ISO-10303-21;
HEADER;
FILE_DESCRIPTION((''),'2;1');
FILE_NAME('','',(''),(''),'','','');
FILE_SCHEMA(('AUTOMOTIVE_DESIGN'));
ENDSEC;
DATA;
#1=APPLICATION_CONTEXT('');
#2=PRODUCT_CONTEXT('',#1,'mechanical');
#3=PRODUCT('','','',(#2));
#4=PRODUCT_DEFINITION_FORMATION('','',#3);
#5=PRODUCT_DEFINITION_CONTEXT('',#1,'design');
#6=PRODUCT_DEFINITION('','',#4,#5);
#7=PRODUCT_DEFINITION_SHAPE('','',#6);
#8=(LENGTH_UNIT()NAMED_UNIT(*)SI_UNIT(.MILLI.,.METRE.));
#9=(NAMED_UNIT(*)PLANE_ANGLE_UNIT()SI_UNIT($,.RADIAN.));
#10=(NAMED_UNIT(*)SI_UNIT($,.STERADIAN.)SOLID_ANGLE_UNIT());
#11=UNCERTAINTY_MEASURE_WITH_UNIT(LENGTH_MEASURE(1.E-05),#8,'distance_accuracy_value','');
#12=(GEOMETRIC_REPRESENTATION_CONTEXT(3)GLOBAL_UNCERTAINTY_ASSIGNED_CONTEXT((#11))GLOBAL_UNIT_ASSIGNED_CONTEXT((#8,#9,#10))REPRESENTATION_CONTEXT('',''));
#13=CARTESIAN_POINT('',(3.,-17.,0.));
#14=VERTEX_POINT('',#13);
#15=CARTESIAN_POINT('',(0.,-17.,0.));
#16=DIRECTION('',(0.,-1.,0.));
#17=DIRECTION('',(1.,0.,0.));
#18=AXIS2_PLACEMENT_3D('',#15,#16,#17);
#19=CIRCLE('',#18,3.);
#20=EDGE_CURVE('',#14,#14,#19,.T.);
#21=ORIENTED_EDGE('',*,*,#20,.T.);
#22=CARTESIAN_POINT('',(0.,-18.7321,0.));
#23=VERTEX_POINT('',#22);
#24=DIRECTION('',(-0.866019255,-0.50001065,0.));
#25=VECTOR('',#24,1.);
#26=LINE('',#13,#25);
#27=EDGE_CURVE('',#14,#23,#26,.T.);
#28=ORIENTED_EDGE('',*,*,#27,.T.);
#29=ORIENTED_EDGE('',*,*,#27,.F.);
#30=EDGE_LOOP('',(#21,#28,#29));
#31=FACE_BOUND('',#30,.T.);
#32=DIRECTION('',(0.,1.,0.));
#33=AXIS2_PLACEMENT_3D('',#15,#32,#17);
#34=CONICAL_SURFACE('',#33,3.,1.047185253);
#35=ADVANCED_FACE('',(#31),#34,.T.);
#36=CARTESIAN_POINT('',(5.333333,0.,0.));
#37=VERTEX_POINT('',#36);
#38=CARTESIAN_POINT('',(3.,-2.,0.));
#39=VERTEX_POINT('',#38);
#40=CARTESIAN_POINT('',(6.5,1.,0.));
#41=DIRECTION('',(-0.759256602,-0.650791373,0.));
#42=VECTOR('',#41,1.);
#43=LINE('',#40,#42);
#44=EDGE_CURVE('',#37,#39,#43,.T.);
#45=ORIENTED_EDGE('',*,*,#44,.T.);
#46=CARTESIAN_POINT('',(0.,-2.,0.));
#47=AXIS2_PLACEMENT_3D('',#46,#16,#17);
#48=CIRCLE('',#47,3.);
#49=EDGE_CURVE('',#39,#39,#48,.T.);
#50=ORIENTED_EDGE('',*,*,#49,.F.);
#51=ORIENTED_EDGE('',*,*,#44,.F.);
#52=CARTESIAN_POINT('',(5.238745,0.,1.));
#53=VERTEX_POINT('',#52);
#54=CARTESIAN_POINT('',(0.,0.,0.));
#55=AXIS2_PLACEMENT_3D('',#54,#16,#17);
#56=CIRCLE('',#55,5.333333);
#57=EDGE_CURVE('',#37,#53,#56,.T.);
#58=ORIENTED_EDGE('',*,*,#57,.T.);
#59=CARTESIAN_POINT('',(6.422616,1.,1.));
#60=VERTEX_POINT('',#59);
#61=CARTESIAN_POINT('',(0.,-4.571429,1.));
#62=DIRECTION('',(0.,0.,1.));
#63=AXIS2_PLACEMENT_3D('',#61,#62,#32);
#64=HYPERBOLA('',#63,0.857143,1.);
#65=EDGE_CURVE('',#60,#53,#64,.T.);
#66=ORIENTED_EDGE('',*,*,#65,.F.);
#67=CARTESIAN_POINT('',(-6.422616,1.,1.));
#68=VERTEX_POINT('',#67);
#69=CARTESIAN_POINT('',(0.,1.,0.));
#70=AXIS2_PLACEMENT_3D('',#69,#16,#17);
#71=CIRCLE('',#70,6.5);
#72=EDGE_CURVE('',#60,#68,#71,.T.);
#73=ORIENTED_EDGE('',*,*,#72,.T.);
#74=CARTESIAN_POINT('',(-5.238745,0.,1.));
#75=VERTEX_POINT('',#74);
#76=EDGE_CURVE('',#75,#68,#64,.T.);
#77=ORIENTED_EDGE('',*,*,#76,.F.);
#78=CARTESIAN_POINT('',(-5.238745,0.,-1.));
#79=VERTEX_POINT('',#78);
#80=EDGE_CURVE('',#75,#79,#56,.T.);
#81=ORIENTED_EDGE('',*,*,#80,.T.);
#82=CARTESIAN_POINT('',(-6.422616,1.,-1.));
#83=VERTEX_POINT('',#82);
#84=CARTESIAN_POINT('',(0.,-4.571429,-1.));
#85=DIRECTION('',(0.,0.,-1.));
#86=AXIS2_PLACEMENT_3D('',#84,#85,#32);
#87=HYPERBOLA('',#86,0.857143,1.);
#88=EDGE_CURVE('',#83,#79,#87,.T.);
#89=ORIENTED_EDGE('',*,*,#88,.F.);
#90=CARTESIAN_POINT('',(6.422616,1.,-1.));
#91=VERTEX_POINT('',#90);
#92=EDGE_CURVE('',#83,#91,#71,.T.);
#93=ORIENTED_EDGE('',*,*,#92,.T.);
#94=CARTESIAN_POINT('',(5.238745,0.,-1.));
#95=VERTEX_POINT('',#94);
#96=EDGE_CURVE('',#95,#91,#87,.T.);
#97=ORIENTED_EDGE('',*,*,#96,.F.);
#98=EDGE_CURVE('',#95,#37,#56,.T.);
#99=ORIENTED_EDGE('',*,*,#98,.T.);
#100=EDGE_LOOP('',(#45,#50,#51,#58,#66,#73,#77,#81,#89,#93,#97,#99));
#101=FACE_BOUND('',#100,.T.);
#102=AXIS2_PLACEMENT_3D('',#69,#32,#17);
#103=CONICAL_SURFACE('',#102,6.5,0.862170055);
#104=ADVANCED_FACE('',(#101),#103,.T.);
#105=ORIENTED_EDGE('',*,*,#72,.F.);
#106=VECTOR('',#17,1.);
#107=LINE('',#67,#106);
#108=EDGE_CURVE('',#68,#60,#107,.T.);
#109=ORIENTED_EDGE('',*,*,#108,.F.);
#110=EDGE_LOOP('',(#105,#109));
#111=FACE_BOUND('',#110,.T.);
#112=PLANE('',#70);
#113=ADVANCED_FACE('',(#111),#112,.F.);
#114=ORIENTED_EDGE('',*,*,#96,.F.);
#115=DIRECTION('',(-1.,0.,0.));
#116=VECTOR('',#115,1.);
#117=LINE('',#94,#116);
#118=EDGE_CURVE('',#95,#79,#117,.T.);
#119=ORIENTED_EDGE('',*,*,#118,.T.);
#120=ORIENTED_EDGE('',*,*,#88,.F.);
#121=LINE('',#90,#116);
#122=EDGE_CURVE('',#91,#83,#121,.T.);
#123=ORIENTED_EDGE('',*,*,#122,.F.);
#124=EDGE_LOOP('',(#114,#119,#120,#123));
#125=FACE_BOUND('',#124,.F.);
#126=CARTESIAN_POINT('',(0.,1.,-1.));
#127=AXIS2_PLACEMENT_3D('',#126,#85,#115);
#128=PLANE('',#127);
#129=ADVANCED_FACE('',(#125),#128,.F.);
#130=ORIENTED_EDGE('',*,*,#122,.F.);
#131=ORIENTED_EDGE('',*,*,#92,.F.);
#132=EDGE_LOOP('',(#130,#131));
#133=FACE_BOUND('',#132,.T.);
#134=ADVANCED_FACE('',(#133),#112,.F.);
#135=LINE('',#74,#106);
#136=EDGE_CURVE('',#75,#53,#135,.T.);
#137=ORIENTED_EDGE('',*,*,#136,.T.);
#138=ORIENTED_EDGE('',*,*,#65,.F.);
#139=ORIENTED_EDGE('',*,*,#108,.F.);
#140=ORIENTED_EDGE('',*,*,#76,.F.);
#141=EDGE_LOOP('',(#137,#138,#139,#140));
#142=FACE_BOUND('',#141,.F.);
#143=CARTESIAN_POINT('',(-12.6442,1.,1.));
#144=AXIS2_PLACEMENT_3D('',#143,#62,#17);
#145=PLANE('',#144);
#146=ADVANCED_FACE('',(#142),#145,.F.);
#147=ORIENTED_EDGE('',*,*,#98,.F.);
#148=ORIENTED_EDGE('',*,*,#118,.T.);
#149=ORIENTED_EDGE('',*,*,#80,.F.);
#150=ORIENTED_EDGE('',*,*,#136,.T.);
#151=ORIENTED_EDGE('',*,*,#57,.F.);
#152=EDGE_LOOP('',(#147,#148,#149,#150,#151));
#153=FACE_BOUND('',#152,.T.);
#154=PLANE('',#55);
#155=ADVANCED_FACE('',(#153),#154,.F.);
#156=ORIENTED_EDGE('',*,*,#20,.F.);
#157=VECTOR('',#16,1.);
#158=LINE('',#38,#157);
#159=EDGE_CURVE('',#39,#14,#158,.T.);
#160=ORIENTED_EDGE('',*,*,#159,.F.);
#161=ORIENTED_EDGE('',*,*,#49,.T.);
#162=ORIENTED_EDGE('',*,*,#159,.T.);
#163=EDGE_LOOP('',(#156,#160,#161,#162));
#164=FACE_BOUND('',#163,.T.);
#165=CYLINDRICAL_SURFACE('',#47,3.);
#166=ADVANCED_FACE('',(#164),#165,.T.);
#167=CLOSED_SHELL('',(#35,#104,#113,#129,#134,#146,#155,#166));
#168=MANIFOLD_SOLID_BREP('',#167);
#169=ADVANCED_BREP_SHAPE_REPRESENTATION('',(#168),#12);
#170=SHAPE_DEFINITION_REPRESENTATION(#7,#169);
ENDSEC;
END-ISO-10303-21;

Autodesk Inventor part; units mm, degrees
ref_plane "YZ Plane" through (0, 0, 0) normal (1, 0, 0) x (0, 1, 0)
ref_plane "XZ Plane" through (0, 0, 0) normal (0, 1, 0) x (-1, 0, 0)
ref_plane "XY Plane" through (0, 0, 0) normal (0, 0, 1) x (1, 0, 0)
sketch "Sketch1" plane through (0, 0, 0) normal (0, 0, 1) x (1, 0, 0)
  line L0 (0, 15.0207) -> (0, -34.9793) construction
  line L1 (0, 15.0207) -> (50, 15.0207) construction
  line L2 (0, 0) -> (1, 0)
  line L3 (1, 0) -> (1, 1)
  line L4 (1, 1) -> (6.5, 1)
  line L5 (6.5, 1) -> (3, -2)
  line L6 (3, -2) -> (3, -17)
  line L7 (3, -17) -> (0, -18.7321)
  line L8 (0, -26.021) -> (0, -26.021)
  line L9 (0, 0) -> (0, -18.7321)
  dimension "d4" = 50
  dimension "d6" = 1
  dimension "d7" = 1
  dimension "d8" = 5.5
  dimension "d9" = 3
  dimension "d10" = 0
  dimension "d11" = 0
  dimension "d12" = 15
  dimension "d13" = 3
  dimension "d15" = 60
  dimension "d17" = 60
  dimension "d18" = 139.399
  dimension "d19" = 15.0207
  dimension "d20" = 41.0417
revolve "Revolution1" add sketch "Sketch1" angle 360 about axis through (0, 15.0207, 0) along (0, -1, 0)
sketch "Sketch2" plane through (0, 1, 0) normal (0, 1, 0) x (1, 0, 0)
  line L0 (-12.6442, -1) -> (7.3558, -1)
  line L1 (7.3558, -1) -> (7.3558, 1)
  line L2 (7.3558, 1) -> (-12.6442, 1)
  line L3 (-12.6442, 1) -> (-12.6442, -1)
  circle A0 centre (0, 0) radius 1 projected
  dimension "d23" = 20
  dimension "d24" = 2
  dimension "d25" = 0
extrude "Extrusion1" cut sketch "Sketch2" against normal blind 1
properties part number "Pieza10 IG" material "Steel, Cast"
